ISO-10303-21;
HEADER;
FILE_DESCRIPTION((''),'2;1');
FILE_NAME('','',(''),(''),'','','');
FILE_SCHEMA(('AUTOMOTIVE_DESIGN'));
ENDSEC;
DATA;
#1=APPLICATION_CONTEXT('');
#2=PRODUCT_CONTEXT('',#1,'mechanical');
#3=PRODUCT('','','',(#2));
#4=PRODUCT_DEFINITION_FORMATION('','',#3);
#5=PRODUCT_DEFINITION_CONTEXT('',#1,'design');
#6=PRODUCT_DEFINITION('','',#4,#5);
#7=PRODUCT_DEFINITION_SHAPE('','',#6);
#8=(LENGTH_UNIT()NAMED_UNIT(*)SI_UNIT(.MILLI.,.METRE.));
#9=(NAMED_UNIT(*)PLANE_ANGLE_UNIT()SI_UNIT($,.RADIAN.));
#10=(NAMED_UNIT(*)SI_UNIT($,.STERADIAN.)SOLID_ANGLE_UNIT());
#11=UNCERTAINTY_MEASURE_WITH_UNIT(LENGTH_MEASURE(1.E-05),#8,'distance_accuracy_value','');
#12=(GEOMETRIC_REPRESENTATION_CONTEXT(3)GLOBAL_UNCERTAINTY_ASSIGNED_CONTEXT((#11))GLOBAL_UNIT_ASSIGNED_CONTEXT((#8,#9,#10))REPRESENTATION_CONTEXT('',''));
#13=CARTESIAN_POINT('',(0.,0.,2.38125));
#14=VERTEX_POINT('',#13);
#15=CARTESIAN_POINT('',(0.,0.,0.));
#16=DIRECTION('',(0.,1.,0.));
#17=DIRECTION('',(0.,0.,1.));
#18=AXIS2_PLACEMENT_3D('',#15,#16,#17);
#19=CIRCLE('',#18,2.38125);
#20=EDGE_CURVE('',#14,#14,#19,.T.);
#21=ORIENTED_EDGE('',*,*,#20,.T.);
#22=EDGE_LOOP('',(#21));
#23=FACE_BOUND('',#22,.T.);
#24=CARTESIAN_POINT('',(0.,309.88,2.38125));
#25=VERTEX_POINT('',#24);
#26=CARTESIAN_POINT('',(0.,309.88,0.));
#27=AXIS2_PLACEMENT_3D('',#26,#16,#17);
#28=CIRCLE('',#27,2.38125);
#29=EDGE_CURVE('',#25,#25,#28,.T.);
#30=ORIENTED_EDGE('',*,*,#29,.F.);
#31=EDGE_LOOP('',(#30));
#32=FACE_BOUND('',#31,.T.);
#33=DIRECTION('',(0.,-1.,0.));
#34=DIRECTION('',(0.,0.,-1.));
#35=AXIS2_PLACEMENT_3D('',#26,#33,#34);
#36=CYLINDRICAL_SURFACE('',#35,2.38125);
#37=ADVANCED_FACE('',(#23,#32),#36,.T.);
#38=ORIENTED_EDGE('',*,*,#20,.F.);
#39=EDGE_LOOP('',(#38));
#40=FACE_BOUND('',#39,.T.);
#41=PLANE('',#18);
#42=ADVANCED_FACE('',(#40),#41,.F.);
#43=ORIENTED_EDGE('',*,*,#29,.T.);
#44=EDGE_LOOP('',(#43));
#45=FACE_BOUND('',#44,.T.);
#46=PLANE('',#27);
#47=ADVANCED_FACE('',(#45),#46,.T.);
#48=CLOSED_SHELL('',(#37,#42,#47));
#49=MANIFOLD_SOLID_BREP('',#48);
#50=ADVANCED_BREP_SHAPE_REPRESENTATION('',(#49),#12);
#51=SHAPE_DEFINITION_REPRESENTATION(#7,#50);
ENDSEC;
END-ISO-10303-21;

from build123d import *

# Parameters (mm, degrees)
SKETCH1_R           = 2.38125
BOSS_EXTRUDE1_DEPTH = 309.88


with BuildPart() as part:
    # Sketch1 → Boss-Extrude1 (new body)
    with BuildSketch(Plane(origin=(0, 0, 0), x_dir=(1, 0, 0), z_dir=(0, 1, 0))):
        Circle(SKETCH1_R)
    extrude(amount=BOSS_EXTRUDE1_DEPTH)


solid = part.part
